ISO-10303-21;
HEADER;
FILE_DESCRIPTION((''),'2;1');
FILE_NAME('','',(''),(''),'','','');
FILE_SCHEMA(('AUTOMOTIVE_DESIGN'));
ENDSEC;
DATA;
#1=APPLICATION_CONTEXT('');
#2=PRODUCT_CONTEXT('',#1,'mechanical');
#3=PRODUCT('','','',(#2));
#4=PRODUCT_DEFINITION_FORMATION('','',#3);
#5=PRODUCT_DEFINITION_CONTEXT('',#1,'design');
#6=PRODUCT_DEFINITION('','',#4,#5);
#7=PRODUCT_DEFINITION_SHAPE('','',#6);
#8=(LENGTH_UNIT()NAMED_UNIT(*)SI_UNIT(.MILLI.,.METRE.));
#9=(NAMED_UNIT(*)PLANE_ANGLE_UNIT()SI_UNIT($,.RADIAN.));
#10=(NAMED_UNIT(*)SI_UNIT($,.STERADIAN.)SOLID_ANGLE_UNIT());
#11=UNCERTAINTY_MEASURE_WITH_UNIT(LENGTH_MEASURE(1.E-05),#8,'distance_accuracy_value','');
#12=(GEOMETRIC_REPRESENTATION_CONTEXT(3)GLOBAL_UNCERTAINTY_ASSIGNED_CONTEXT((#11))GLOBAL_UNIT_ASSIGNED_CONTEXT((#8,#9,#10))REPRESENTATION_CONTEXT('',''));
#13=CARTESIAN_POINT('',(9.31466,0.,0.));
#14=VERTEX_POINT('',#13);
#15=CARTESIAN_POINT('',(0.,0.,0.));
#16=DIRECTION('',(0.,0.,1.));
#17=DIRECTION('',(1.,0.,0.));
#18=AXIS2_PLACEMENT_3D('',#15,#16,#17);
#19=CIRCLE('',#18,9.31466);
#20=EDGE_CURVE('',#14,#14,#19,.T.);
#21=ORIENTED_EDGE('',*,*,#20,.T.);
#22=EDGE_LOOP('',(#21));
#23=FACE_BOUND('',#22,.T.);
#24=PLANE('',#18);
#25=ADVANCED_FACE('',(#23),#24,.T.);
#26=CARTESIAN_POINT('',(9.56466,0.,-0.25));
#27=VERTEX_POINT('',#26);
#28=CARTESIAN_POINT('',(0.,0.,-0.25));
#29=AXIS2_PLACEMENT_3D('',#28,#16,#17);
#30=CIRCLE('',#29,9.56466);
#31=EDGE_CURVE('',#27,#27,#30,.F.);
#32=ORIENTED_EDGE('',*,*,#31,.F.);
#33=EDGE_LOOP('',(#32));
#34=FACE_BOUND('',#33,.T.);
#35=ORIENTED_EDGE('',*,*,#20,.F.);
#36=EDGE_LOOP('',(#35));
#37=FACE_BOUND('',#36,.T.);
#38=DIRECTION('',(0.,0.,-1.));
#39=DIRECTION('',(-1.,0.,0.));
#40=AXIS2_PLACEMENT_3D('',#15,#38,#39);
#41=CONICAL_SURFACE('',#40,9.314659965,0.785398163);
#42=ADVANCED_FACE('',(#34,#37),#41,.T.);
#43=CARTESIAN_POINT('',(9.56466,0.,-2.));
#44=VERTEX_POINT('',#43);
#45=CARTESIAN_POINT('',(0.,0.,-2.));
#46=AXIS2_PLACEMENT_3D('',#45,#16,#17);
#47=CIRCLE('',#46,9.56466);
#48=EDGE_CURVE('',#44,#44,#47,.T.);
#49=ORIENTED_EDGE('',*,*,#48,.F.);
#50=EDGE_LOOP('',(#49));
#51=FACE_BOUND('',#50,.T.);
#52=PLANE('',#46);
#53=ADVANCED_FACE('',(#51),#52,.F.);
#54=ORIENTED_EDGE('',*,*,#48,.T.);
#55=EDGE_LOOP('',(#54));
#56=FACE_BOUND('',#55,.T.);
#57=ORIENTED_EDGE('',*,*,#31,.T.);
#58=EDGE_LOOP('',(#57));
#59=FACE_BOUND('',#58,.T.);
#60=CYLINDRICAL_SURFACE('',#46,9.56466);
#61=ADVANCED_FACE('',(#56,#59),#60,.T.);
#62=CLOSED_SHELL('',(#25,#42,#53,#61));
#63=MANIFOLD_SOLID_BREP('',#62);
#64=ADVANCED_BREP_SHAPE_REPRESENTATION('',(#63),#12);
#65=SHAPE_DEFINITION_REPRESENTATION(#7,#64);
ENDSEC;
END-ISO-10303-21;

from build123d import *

# Parameters (mm, degrees)
SKETCH1_R           = 9.564659965
BOSS_EXTRUDE1_DEPTH = 2
CHAMFER1_SIZE       = 0.25


with BuildPart() as part:
    # Sketch1 → Boss-Extrude1 (new body)
    with BuildSketch(Plane.XY):
        Circle(SKETCH1_R)
    extrude(amount=-BOSS_EXTRUDE1_DEPTH)

    # Chamfer1
    chamfer1_edges = [part.edges().sort_by_distance(p)[0] for p in [
        (-9.564659965, 0, 0),
    ]]
    chamfer(chamfer1_edges, length=CHAMFER1_SIZE)


solid = part.part
